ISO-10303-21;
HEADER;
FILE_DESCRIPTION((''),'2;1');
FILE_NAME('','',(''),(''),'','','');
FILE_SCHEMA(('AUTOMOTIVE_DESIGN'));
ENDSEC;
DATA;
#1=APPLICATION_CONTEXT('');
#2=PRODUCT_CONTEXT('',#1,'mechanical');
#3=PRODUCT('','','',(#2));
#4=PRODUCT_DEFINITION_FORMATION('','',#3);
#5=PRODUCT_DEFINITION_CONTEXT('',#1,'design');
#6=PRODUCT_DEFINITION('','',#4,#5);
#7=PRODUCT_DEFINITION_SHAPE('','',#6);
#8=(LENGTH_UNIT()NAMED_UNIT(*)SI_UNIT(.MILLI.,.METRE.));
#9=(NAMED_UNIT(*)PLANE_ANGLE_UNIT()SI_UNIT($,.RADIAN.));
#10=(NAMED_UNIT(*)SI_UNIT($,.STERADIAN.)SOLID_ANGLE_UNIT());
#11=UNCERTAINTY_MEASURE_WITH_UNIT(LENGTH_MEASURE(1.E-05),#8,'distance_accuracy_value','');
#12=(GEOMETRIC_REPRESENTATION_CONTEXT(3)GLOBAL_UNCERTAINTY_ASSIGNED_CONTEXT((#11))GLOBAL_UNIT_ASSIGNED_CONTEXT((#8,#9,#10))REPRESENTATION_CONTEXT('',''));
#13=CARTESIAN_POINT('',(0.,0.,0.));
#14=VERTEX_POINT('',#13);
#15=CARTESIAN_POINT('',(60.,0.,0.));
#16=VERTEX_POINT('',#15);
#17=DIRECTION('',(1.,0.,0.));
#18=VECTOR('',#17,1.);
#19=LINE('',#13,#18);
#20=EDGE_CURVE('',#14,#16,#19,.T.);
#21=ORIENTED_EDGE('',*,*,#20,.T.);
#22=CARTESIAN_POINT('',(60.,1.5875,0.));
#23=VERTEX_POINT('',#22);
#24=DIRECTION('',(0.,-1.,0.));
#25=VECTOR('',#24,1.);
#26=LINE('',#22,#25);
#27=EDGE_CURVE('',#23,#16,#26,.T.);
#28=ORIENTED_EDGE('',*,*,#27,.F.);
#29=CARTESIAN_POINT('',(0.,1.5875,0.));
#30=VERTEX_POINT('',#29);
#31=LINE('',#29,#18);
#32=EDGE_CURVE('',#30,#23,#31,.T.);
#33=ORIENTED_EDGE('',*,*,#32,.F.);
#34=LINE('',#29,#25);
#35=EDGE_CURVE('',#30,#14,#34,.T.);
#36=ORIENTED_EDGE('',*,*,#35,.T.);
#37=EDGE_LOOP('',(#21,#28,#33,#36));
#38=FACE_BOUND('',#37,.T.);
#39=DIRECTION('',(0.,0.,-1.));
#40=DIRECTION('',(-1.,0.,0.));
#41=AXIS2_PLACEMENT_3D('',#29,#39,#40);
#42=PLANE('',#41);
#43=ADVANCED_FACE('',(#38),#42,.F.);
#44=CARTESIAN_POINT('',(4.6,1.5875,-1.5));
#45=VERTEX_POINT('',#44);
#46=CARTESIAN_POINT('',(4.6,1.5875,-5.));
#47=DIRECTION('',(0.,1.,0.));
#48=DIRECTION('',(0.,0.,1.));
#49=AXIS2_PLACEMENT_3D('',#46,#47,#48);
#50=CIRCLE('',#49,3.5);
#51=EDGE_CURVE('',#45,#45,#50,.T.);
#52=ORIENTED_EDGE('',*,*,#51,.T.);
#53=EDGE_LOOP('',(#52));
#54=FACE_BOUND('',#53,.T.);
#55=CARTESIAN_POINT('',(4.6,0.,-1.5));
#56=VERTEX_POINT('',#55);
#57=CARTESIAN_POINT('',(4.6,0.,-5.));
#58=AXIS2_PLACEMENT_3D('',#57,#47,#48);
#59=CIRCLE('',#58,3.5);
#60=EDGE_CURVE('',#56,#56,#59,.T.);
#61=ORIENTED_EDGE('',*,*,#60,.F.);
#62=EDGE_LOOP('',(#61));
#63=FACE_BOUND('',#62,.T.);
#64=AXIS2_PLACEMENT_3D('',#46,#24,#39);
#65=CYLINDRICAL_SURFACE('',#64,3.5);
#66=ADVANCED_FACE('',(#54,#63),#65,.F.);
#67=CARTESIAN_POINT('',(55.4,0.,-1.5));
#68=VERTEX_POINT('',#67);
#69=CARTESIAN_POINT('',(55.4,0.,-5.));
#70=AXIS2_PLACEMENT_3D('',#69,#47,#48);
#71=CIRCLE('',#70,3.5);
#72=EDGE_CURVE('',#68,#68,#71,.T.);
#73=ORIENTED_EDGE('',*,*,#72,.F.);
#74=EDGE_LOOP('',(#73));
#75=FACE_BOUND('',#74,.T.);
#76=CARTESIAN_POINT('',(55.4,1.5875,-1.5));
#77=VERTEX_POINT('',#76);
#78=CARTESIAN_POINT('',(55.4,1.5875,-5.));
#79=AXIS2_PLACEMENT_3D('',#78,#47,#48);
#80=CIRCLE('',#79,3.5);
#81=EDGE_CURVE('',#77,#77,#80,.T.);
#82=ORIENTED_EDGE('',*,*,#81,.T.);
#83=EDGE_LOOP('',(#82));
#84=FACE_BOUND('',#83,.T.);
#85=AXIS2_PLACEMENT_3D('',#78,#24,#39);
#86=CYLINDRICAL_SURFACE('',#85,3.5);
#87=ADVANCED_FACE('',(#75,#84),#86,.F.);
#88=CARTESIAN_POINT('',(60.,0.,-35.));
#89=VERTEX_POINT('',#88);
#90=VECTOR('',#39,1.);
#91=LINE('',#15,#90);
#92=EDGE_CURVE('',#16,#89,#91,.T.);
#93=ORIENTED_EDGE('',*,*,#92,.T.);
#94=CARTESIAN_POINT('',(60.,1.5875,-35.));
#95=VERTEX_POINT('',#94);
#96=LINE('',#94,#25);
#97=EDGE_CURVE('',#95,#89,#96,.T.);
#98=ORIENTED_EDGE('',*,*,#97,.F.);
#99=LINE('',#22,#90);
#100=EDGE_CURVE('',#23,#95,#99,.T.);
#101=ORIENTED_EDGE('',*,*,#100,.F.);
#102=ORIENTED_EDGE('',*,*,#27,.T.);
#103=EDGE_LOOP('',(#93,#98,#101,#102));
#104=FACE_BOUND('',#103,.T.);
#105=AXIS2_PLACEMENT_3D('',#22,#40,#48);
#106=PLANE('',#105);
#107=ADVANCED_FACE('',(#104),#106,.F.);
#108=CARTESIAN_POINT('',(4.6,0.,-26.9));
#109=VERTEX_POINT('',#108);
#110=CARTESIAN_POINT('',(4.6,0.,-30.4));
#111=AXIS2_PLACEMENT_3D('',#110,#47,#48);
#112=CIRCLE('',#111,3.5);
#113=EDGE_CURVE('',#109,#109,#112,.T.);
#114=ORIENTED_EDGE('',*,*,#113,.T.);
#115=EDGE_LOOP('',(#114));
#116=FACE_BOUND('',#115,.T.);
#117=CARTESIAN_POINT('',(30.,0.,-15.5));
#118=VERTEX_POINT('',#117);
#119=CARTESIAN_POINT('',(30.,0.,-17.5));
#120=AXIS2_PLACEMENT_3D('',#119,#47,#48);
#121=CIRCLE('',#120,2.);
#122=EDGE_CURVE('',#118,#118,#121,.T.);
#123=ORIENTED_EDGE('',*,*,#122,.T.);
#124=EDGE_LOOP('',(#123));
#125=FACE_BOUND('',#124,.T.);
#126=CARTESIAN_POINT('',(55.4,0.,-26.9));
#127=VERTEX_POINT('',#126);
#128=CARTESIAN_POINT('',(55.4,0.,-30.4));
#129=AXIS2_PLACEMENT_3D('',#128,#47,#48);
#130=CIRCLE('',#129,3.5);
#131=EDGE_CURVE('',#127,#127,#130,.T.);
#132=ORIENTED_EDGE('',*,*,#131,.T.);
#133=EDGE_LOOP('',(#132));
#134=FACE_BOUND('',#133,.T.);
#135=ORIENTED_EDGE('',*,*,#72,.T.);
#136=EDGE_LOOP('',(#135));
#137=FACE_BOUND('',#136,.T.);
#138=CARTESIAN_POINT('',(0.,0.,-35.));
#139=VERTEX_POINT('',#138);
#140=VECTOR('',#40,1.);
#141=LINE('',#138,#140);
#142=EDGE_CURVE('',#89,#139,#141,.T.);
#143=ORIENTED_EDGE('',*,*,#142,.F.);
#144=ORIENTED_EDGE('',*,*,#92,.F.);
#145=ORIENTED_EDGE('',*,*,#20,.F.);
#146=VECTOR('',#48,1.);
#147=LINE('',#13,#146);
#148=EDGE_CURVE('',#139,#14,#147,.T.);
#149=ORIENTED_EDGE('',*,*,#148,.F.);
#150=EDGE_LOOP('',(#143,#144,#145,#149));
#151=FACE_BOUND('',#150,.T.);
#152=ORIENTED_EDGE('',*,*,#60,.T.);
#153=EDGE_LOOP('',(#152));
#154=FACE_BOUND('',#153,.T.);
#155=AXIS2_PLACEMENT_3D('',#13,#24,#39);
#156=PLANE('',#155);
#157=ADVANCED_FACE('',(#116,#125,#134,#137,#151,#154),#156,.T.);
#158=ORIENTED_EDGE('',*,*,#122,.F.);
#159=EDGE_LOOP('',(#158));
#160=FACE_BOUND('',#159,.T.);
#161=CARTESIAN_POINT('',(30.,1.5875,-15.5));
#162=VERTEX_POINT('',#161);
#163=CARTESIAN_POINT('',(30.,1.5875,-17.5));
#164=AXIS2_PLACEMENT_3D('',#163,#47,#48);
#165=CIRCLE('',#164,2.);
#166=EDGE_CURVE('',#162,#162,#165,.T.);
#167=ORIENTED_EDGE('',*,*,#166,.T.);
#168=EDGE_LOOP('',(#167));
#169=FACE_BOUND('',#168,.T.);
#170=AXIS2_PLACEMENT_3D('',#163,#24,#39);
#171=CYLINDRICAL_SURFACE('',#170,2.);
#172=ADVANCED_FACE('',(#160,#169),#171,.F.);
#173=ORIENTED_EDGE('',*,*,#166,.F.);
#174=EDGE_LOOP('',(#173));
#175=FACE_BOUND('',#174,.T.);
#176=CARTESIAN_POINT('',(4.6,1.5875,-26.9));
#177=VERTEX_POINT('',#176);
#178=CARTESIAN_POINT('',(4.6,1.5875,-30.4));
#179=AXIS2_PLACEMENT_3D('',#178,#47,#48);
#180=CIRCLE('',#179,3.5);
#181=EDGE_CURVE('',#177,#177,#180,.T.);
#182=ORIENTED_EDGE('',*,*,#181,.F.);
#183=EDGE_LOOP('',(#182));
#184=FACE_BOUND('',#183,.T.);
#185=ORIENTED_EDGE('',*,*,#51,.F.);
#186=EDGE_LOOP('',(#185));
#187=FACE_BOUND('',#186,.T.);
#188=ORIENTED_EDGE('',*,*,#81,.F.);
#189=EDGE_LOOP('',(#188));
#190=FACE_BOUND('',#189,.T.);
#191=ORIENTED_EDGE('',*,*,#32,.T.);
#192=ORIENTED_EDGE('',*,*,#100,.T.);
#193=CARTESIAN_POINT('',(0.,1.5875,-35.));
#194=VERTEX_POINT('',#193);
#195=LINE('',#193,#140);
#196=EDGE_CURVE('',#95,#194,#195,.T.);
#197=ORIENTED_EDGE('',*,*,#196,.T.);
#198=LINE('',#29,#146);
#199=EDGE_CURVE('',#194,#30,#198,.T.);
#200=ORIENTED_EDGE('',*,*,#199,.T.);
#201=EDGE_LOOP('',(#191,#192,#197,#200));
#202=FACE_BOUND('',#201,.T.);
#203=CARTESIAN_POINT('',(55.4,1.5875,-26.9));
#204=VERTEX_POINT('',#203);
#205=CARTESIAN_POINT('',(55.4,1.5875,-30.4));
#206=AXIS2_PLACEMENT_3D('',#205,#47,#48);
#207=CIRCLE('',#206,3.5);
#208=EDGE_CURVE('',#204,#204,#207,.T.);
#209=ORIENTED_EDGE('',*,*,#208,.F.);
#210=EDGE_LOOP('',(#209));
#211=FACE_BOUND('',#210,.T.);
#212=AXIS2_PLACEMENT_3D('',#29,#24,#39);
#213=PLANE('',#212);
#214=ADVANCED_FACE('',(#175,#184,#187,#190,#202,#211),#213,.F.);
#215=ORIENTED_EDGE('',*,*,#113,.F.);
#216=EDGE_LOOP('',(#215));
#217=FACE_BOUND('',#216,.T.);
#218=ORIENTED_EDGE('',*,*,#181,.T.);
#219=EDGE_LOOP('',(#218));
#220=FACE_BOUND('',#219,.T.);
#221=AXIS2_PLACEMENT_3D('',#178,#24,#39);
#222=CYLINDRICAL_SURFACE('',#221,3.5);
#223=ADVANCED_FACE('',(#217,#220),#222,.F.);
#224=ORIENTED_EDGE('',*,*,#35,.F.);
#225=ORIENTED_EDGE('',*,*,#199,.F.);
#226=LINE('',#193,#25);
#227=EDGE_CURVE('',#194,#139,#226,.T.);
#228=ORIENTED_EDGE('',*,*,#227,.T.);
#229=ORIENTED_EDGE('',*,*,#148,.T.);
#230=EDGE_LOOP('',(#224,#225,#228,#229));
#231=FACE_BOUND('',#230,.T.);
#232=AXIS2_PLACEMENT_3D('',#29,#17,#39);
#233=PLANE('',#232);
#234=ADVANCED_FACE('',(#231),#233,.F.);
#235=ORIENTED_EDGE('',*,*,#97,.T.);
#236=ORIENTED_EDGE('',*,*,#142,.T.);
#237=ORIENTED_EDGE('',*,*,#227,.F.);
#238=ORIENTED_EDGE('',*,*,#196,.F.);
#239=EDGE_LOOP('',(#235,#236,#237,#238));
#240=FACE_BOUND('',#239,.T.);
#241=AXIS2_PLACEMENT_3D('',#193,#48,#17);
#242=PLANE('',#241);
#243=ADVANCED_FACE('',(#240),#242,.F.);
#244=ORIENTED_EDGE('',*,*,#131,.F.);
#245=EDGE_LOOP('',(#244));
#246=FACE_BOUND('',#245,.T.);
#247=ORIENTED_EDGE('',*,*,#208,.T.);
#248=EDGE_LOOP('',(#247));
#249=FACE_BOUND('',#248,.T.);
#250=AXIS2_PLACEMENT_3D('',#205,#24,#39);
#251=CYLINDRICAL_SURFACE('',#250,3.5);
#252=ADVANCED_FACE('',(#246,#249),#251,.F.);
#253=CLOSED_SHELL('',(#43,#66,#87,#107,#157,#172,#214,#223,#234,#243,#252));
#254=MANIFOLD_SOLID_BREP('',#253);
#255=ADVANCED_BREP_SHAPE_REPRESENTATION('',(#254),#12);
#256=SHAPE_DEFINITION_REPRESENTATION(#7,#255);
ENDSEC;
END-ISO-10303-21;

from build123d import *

# Parameters (mm, degrees)
SKETCH1_W           = 60
SKETCH1_H           = 35
SKETCH1_R           = 3.5
SKETCH1_R_2         = 2
BOSS_EXTRUDE1_DEPTH = 1.5875


with BuildPart() as part:
    # Sketch1 → Boss-Extrude1 (new body)
    with BuildSketch(Plane(origin=(0, 0, 0), x_dir=(1, 0, 0), z_dir=(0, 1, 0))):
        with Locations((30, 17.5)):
            Rectangle(SKETCH1_W, SKETCH1_H)
        with Locations((4.6, 30.4)):
            Circle(SKETCH1_R, mode=Mode.SUBTRACT)
        with Locations((55.4, 30.4)):
            Circle(SKETCH1_R, mode=Mode.SUBTRACT)
        with Locations((4.6, 5)):
            Circle(SKETCH1_R, mode=Mode.SUBTRACT)
        with Locations((55.4, 5)):
            Circle(SKETCH1_R, mode=Mode.SUBTRACT)
        with Locations((30, 17.5)):
            Circle(SKETCH1_R_2, mode=Mode.SUBTRACT)
    extrude(amount=BOSS_EXTRUDE1_DEPTH)


solid = part.part
